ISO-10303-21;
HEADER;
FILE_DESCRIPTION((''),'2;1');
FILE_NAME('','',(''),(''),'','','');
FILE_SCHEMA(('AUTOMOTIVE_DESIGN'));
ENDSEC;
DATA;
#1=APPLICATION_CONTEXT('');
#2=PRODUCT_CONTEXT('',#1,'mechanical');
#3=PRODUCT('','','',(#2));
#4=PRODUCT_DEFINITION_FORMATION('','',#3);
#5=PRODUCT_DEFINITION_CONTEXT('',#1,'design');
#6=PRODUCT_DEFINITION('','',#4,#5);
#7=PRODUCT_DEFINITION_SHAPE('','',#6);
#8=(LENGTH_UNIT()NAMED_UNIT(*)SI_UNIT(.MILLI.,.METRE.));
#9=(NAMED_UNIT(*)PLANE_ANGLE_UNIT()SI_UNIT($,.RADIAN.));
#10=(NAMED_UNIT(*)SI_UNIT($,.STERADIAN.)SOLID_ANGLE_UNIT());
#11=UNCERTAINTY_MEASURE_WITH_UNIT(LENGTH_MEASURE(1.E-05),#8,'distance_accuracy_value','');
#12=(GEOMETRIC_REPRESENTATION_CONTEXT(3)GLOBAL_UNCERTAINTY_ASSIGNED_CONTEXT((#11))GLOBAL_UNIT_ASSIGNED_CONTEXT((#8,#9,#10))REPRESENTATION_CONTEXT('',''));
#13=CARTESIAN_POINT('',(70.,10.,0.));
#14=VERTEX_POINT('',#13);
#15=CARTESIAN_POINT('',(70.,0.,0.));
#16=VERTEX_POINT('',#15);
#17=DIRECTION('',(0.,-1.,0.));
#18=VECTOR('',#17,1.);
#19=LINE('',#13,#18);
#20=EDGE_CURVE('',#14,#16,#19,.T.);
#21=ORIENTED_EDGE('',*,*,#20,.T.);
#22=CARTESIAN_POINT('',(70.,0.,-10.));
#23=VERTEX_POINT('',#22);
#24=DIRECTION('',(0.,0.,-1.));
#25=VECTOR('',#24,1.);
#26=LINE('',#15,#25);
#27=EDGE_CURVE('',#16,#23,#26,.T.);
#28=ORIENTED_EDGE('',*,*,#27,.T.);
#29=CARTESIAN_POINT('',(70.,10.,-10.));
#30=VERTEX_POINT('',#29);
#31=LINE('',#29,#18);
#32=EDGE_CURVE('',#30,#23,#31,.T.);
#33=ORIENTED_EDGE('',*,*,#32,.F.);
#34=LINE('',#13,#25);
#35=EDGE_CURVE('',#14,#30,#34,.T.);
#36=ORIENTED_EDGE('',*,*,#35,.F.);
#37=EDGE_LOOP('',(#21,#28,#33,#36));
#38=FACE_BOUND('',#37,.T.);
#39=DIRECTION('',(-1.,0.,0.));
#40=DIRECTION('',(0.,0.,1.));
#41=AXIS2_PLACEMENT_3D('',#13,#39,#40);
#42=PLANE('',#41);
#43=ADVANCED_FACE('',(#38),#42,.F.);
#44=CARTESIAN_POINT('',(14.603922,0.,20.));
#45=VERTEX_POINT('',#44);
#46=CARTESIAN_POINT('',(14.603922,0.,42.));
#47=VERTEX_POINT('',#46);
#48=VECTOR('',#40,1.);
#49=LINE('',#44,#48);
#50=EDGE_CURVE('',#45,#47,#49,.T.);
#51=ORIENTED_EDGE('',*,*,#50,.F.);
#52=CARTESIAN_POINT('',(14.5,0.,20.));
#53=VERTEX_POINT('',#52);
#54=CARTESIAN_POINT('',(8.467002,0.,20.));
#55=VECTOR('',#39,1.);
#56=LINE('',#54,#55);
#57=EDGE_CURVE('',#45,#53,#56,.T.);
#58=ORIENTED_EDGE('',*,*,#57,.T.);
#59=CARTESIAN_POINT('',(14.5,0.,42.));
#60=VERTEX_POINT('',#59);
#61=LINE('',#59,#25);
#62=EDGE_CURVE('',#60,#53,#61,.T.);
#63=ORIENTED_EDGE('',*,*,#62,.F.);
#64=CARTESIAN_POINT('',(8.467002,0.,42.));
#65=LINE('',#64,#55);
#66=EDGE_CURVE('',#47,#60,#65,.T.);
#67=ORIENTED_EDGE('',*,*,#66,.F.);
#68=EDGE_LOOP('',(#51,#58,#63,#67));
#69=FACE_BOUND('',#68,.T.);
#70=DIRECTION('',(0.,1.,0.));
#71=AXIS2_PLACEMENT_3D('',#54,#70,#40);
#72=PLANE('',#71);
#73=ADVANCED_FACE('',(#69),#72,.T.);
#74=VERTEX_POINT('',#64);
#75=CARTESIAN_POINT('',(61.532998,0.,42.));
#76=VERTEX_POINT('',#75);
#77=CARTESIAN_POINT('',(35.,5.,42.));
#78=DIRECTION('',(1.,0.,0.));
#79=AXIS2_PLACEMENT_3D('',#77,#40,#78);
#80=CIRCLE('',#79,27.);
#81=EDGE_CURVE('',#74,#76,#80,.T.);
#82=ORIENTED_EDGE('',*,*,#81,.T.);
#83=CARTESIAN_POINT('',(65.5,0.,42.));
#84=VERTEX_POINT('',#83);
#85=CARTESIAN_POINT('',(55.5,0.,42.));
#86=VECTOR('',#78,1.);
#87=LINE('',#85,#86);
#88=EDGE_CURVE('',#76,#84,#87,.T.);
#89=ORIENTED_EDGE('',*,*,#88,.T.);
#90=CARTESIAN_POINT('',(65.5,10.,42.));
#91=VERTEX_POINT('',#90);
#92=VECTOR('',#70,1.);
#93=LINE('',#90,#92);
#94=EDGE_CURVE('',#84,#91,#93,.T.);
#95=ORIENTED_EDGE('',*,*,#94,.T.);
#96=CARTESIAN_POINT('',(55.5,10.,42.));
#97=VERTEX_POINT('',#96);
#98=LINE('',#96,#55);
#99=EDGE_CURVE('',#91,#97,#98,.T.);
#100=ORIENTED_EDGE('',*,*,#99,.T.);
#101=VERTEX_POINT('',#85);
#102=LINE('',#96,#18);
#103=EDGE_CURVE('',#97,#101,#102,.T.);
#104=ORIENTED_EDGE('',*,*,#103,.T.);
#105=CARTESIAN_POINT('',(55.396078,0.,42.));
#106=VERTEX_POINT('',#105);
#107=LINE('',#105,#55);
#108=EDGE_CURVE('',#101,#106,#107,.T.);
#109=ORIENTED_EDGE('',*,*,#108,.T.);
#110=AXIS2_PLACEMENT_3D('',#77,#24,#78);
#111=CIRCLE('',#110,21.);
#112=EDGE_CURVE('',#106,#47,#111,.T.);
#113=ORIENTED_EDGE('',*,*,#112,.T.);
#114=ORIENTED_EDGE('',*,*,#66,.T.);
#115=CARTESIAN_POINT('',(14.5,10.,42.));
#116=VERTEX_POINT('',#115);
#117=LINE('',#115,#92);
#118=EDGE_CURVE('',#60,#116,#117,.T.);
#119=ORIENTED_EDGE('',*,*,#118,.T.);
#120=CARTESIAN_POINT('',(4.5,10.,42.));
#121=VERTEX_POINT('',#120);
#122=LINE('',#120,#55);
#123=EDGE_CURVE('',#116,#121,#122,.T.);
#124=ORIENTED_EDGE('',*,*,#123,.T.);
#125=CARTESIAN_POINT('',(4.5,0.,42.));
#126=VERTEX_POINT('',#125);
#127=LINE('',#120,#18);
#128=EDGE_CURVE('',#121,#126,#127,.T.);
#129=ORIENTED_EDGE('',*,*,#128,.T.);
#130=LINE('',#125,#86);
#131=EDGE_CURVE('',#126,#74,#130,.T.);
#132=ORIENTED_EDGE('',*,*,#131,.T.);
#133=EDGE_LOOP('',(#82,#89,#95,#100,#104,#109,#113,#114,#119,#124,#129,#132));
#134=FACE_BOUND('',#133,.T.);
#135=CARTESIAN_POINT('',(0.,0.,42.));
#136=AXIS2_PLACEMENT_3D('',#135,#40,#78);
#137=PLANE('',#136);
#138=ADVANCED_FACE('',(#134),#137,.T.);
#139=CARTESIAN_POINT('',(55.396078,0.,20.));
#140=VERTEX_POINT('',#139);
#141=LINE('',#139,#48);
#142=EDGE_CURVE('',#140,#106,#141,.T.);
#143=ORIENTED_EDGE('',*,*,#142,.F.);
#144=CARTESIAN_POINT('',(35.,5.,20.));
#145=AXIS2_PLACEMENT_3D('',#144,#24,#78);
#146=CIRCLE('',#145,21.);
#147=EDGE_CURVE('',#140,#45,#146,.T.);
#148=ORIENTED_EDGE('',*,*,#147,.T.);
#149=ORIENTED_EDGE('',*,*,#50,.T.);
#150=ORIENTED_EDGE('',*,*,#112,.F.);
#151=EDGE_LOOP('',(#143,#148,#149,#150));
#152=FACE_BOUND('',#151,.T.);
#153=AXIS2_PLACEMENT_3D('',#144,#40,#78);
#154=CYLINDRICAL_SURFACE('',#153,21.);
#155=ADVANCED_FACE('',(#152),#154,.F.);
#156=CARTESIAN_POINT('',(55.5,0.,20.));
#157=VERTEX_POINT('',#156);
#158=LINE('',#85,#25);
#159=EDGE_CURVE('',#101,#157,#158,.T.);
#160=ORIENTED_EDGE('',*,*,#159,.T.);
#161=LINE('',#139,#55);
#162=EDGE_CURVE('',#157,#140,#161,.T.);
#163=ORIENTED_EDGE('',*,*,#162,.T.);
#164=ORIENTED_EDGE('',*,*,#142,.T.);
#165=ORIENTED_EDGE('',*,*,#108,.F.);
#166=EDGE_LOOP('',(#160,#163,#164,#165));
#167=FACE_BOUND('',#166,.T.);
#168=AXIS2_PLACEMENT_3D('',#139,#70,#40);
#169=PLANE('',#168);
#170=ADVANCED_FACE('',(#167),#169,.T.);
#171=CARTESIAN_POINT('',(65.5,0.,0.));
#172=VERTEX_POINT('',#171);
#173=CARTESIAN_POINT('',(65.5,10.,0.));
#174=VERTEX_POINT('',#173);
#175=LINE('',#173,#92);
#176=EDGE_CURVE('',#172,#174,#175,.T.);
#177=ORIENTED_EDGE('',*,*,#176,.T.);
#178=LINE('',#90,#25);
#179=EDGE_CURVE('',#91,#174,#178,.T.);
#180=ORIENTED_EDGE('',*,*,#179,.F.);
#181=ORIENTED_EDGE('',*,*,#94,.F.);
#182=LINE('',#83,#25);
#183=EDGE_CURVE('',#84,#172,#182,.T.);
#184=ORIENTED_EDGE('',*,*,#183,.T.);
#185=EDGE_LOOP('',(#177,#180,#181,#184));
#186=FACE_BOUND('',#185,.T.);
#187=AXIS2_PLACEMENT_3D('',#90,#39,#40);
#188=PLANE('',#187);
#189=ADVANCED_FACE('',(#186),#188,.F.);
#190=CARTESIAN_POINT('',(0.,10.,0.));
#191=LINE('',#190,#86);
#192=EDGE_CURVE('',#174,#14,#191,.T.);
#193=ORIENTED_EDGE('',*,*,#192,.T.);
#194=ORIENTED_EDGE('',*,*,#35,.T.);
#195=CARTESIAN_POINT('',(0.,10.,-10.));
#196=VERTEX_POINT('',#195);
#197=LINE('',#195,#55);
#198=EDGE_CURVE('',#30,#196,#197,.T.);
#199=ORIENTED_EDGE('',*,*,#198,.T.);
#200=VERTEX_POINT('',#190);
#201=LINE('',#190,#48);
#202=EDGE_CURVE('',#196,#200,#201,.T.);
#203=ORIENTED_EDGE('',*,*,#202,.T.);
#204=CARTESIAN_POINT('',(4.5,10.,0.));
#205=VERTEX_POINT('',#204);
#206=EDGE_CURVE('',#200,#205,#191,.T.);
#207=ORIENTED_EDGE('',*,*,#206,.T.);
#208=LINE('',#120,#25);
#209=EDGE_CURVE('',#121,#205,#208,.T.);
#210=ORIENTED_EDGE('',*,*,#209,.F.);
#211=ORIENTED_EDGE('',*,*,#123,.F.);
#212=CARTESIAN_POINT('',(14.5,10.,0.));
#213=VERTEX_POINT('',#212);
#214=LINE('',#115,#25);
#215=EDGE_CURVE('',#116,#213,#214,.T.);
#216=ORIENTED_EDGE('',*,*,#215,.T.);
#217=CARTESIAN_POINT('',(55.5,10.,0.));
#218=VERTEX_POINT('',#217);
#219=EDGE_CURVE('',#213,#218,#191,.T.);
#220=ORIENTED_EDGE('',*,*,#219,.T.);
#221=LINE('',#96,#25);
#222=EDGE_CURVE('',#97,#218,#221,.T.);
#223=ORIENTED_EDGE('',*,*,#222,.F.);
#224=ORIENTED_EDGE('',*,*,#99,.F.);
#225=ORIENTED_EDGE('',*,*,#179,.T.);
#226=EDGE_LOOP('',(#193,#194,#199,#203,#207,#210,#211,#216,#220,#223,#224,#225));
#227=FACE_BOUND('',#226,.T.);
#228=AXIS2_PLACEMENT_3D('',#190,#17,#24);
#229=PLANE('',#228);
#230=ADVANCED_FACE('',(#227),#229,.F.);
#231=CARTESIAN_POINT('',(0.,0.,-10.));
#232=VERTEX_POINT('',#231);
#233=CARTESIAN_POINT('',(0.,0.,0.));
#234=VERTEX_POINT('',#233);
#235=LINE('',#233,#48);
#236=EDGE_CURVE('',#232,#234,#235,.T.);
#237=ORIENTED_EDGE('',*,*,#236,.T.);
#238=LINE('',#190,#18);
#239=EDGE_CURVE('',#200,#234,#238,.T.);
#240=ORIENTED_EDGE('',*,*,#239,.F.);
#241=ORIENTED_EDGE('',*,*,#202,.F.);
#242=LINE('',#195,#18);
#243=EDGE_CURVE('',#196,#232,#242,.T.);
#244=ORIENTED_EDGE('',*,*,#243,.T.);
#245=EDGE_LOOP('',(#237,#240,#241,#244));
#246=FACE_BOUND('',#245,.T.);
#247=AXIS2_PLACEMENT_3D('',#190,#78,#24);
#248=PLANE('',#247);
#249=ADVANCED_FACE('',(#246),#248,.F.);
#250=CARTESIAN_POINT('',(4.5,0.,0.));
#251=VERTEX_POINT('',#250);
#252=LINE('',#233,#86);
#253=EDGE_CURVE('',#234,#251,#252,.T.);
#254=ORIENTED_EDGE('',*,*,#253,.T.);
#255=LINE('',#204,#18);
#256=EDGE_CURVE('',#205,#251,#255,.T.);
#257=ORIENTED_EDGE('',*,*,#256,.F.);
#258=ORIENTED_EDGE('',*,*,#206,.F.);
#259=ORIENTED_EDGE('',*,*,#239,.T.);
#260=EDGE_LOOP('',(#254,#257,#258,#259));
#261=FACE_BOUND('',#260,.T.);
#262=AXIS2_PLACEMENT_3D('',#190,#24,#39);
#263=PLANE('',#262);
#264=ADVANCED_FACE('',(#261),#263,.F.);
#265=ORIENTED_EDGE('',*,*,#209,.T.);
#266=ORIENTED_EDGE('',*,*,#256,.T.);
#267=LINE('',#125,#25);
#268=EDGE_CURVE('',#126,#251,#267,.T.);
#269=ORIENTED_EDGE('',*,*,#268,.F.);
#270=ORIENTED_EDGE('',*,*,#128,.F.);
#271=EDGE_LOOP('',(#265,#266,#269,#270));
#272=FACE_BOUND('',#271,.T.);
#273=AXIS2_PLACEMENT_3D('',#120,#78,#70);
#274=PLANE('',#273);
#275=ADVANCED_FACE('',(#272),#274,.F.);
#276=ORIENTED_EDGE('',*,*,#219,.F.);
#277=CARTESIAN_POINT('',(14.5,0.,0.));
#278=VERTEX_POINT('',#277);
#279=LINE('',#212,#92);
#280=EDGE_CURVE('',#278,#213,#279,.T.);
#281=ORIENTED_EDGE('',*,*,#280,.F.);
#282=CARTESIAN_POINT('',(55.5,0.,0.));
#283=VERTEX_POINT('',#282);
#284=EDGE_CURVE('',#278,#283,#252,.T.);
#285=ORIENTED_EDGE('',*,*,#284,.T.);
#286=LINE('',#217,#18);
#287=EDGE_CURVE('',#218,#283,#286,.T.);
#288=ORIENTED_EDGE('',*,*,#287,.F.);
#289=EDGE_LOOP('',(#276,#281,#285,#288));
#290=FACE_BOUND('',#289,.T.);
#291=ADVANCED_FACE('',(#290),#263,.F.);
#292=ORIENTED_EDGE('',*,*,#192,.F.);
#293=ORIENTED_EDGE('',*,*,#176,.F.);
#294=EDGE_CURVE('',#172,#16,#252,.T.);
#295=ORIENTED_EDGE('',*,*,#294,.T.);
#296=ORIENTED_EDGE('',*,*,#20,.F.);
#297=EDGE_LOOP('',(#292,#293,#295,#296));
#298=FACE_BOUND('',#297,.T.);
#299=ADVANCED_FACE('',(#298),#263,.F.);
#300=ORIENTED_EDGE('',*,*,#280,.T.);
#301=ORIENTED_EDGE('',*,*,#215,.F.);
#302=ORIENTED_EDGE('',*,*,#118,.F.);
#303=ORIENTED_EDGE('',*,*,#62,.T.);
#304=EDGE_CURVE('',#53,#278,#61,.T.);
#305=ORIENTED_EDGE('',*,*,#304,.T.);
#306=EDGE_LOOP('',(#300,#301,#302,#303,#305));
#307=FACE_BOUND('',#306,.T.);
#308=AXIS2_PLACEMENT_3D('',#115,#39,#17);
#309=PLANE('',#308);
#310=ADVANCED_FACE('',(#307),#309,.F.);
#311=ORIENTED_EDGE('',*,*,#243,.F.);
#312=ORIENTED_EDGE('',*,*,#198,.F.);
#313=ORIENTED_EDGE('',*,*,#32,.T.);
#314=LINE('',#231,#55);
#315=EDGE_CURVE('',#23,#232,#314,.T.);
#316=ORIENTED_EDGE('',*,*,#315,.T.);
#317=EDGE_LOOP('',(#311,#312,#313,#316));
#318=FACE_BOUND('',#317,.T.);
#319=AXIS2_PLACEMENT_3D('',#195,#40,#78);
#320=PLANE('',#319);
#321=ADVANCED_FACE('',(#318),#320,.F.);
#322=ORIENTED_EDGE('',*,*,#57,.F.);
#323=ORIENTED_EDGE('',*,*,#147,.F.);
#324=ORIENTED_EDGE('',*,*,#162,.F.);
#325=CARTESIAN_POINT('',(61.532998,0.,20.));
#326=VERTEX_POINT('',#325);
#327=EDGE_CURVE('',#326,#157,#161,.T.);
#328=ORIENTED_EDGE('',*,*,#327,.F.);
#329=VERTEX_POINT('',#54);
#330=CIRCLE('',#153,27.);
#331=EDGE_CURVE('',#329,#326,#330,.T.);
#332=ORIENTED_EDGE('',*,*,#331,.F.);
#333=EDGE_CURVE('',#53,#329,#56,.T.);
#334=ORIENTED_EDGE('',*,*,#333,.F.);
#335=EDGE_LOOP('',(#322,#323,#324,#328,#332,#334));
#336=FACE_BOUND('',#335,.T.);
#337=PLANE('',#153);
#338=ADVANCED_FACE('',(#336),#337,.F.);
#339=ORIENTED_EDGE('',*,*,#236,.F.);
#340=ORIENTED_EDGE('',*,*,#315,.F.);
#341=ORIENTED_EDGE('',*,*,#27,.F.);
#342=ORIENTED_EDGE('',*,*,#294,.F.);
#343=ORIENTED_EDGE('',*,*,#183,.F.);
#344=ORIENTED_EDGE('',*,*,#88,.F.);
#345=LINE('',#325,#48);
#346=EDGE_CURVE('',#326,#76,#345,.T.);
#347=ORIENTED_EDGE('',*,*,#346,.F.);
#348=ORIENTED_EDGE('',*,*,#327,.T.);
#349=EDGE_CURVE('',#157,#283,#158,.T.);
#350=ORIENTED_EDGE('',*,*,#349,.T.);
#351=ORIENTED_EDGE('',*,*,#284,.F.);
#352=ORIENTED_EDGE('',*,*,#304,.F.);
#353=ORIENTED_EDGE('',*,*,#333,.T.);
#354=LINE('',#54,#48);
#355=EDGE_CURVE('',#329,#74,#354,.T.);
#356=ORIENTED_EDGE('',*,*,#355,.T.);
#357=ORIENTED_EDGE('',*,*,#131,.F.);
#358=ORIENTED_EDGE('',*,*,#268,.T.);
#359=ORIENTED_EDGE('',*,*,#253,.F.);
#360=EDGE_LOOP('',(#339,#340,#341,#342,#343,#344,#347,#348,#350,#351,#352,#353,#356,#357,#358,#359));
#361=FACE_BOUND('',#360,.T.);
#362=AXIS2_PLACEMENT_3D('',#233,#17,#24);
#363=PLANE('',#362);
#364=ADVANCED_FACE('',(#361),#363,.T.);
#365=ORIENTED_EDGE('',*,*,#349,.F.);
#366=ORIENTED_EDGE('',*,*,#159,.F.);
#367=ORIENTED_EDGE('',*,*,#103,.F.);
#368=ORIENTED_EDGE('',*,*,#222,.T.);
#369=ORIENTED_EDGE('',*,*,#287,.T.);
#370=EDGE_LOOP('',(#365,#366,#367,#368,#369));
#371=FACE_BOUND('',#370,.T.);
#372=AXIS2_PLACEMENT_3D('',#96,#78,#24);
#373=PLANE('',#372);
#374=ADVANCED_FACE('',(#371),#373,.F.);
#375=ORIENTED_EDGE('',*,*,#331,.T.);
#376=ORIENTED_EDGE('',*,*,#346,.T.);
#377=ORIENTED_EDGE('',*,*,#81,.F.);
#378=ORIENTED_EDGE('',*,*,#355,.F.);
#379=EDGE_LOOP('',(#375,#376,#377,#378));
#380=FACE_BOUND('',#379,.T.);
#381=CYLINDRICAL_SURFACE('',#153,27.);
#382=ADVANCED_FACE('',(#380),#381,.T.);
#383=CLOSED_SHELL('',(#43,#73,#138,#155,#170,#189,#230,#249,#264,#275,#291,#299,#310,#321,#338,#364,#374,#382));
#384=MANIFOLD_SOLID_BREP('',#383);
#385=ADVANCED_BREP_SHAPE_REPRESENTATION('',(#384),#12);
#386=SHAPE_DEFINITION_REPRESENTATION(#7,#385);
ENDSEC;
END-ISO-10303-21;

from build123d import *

# Parameters (mm, degrees)
SKETCH_1_W      = 70
SKETCH_1_H      = 10
EXTRUDE_1_DEPTH = 10
SKETCH_2_W      = 10
SKETCH_2_H      = 10
EXTRUDE_2_DEPTH = 42
EXTRUDE_3_DEPTH = 22


with BuildPart() as part:
    # 草图1 → 凸台-拉伸1 (new body)
    with BuildSketch(Plane(origin=(0, 0, 0), x_dir=(1, 0, 0), z_dir=(0, 1, 0))):
        with Locations((35, 5)):
            Rectangle(SKETCH_1_W, SKETCH_1_H)
    extrude(amount=EXTRUDE_1_DEPTH)

    # 草图2 → 凸台-拉伸2 (add)
    with BuildSketch(Plane.XY):
        with Locations((9.5, 5)):
            Rectangle(SKETCH_2_W, SKETCH_2_H)
        with Locations((60.5, 5)):
            Rectangle(SKETCH_2_W, SKETCH_2_H)
    extrude(amount=EXTRUDE_2_DEPTH)

    # 草图3 → 凸台-拉伸3 (add)
    with BuildSketch(Plane.XY.offset(42)):
        with BuildLine():
            Line((8.467001677, 0), (14.603921946, 0))
            ThreePointArc((14.603921946, 0), (35, -16), (55.396078054, 0))
            Line((55.396078054, 0), (61.532998323, 0))
            ThreePointArc((61.532998323, 0), (35, -22), (8.467001677, 0))
        make_face()
    extrude(amount=-EXTRUDE_3_DEPTH)


solid = part.part
